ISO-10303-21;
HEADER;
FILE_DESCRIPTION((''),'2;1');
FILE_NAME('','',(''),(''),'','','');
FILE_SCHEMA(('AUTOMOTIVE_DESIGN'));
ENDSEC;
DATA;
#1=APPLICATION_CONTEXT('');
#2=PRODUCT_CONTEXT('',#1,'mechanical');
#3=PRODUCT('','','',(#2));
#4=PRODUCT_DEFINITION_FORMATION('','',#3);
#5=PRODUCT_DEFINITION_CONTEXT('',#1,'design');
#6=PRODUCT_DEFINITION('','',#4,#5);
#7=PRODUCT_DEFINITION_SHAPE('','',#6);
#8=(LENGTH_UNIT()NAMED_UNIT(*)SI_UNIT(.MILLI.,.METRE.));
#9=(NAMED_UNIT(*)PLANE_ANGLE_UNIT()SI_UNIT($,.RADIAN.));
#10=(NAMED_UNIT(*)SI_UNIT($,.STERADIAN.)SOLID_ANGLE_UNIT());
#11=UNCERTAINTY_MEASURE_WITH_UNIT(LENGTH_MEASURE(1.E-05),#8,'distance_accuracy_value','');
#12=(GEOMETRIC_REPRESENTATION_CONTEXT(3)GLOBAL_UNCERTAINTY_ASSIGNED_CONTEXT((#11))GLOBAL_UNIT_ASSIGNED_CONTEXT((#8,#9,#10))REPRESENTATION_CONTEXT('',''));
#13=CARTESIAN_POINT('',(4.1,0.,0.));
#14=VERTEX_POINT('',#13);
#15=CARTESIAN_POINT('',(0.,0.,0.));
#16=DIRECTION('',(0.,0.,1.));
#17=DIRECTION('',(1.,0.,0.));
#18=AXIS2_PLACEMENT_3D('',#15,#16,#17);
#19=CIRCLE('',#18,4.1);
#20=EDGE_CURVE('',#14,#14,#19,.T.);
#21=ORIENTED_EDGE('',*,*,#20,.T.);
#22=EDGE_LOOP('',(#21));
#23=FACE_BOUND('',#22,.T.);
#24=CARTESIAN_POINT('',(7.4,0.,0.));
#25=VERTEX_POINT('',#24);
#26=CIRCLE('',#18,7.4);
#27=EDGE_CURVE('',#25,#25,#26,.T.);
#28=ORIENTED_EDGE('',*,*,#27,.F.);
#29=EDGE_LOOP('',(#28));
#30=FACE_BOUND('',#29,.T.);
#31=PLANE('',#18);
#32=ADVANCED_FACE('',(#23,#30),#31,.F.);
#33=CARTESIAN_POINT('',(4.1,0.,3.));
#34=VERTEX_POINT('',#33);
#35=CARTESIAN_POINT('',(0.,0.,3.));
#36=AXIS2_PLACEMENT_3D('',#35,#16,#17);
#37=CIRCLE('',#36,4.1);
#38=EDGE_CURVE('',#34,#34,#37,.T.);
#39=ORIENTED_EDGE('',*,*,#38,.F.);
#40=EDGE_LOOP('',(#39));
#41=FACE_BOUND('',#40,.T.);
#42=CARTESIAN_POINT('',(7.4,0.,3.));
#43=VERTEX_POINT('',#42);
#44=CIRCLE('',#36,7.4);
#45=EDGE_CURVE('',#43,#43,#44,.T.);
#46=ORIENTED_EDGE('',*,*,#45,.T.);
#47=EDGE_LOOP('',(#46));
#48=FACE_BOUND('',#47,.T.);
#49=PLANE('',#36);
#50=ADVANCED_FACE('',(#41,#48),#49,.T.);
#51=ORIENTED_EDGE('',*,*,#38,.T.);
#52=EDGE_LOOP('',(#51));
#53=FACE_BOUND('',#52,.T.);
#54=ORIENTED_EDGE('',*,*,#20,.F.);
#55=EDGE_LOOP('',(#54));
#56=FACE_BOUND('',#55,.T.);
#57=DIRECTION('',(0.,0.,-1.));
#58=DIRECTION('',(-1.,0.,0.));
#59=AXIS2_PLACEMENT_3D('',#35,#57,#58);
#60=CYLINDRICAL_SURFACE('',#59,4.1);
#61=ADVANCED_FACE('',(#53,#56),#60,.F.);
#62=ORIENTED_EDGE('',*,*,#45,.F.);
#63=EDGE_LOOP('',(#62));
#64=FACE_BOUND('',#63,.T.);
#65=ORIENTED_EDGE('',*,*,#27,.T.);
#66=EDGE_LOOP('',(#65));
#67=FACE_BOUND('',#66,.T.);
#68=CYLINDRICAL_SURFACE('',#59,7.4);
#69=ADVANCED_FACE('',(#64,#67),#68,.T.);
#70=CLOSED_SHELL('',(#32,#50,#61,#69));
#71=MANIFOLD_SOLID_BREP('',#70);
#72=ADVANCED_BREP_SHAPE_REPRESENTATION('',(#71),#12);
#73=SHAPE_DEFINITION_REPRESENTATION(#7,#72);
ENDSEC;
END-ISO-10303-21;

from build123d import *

# Parameters (mm, degrees)
SCHIZZO1_R                   = 7.4
SCHIZZO1_R_2                 = 4.1
ESTRUSIONE_ESTRUSIONE1_DEPTH = 3


with BuildPart() as part:
    # Schizzo1 → Estrusione-Estrusione1 (new body)
    with BuildSketch(Plane.XY):
        Circle(SCHIZZO1_R)
        Circle(SCHIZZO1_R_2, mode=Mode.SUBTRACT)
    extrude(amount=ESTRUSIONE_ESTRUSIONE1_DEPTH)


solid = part.part
